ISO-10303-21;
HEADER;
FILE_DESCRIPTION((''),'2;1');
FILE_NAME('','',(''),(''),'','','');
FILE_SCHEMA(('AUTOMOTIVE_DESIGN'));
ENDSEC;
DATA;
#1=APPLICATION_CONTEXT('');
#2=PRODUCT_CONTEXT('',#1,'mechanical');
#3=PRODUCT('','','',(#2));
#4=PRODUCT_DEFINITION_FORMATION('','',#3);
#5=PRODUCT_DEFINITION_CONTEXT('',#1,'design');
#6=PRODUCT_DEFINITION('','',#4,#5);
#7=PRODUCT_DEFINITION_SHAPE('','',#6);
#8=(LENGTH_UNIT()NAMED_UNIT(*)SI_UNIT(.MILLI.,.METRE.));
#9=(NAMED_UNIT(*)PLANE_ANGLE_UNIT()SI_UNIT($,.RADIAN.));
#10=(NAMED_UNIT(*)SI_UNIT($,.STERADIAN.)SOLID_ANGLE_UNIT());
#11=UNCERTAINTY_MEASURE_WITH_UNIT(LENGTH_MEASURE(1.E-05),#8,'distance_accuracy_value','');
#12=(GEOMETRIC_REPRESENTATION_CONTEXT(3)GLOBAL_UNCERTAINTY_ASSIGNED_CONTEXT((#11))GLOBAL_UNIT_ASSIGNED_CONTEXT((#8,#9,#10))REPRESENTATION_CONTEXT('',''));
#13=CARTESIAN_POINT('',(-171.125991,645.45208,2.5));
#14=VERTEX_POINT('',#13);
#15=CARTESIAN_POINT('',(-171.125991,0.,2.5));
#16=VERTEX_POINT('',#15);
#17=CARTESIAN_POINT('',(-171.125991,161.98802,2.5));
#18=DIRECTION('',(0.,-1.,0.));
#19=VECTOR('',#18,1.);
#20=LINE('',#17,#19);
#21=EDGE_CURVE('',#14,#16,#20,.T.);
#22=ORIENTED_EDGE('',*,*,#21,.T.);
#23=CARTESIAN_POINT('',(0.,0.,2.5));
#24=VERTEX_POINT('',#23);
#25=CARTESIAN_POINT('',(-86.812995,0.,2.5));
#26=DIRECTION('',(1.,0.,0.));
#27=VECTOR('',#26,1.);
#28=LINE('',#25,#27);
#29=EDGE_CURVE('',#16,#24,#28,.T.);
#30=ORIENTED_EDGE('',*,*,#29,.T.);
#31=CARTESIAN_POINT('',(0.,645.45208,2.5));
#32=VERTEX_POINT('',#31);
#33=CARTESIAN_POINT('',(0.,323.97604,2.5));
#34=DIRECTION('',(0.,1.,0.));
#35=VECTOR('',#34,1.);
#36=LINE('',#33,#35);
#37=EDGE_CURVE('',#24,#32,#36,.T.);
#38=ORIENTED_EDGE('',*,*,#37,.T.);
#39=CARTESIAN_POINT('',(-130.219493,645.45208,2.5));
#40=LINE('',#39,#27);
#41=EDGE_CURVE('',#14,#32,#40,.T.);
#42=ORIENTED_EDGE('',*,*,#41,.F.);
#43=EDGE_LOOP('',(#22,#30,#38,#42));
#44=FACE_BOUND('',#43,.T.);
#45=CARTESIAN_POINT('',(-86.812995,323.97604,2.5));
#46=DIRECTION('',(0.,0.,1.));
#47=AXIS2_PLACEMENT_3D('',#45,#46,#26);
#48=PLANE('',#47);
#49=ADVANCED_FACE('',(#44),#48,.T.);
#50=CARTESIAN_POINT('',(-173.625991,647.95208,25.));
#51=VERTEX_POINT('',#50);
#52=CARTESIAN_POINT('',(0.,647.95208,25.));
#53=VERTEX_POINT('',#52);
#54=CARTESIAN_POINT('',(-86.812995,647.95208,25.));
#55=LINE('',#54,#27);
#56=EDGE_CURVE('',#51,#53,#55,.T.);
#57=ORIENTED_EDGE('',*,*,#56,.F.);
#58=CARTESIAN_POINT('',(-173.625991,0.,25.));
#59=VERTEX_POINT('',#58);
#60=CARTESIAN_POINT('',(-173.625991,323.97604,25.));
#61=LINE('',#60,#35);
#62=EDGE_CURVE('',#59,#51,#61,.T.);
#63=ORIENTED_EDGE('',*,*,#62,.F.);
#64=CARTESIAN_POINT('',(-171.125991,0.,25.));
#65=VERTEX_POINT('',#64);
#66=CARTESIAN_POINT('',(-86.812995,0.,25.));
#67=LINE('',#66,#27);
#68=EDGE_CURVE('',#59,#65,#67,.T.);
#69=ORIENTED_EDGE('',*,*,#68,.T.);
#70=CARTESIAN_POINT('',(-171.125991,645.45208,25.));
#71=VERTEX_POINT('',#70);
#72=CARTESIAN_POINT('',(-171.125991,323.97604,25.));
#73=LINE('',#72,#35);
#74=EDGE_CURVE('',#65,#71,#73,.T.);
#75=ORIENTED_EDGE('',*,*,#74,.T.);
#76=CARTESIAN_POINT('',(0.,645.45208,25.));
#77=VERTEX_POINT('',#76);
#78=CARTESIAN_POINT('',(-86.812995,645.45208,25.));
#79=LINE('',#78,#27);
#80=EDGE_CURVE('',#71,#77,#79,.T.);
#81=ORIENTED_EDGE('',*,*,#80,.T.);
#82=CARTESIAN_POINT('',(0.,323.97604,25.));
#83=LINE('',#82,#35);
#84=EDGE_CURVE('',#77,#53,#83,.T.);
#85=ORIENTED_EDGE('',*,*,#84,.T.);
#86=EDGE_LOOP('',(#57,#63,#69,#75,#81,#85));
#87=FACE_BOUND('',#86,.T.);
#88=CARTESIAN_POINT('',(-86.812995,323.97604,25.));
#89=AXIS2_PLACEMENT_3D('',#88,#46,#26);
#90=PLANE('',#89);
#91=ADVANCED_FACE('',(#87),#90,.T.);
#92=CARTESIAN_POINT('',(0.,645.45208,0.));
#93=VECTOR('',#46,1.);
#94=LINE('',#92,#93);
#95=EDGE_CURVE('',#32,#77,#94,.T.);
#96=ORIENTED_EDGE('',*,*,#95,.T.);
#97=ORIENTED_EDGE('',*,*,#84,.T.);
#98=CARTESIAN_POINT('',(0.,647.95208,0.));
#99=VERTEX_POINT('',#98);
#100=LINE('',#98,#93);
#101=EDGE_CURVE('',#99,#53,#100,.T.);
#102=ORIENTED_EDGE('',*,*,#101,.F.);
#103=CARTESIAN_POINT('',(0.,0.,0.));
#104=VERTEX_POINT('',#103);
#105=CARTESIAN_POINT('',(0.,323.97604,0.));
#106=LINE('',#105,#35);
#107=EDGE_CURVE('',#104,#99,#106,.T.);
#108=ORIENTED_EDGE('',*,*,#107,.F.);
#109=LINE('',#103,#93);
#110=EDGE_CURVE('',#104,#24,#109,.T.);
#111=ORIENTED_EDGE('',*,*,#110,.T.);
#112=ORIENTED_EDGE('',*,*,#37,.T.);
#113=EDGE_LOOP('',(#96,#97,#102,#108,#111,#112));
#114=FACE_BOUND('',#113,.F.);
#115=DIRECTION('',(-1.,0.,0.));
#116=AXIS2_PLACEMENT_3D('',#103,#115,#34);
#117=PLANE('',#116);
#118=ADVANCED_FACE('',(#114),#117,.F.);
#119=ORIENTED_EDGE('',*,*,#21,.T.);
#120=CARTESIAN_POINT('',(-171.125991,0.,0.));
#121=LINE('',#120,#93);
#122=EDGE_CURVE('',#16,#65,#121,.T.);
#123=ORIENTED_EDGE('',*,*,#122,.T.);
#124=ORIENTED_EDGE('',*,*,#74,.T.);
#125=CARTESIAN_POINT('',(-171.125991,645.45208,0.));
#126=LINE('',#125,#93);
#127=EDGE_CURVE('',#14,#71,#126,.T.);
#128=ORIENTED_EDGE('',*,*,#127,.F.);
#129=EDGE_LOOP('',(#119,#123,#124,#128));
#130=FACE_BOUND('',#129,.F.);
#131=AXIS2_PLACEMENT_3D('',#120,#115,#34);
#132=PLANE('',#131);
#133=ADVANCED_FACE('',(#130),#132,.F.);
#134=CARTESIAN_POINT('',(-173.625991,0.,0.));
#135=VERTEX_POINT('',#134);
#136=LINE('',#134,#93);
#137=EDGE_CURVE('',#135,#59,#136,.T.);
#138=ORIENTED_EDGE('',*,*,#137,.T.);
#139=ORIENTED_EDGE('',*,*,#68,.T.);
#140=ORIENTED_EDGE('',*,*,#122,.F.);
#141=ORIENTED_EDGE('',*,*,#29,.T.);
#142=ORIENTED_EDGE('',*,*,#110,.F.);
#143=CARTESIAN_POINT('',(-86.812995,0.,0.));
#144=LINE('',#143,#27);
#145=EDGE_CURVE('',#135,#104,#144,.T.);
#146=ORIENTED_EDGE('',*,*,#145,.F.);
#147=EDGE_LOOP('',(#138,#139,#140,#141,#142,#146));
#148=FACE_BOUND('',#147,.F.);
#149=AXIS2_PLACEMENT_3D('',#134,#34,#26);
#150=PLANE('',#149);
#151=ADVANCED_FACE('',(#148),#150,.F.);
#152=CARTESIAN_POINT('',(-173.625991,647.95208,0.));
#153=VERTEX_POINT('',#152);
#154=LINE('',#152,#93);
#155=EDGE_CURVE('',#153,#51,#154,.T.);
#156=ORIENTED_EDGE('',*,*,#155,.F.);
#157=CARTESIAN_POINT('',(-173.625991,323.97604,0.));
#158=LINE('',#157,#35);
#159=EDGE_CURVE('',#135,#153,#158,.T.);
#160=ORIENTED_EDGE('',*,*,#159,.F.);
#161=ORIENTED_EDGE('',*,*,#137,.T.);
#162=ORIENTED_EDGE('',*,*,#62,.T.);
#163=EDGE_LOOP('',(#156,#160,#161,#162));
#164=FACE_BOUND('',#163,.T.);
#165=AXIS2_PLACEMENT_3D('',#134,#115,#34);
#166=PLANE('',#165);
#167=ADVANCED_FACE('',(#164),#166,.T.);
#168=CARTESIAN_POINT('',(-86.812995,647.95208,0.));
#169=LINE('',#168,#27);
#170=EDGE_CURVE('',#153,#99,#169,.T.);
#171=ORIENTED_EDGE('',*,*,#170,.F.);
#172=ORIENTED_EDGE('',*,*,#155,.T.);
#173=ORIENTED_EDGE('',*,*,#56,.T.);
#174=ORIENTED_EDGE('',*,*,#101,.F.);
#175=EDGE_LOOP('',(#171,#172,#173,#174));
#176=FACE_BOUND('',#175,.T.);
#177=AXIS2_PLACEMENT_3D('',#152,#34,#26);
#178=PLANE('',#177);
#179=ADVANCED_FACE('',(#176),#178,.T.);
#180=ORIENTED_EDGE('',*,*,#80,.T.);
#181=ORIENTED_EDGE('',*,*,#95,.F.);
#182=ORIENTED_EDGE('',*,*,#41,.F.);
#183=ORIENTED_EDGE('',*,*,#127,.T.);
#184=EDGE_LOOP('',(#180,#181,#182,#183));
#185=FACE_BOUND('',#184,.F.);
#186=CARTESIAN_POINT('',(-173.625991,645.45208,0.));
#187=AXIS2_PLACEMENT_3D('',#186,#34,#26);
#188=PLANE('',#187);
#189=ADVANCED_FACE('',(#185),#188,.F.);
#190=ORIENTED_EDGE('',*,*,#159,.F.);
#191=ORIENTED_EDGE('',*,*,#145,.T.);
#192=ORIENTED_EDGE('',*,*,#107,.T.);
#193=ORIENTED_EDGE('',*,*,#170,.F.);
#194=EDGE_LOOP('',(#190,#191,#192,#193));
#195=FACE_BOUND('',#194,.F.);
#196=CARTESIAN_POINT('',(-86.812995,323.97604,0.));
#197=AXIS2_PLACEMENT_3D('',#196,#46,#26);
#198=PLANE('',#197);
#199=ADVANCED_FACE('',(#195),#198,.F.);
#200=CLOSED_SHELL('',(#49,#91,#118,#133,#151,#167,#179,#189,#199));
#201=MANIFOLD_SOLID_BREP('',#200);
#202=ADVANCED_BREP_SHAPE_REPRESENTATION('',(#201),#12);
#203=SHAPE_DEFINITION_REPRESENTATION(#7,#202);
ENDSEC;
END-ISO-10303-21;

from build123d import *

# Parameters (mm, degrees)
F0_W     = 173.625991
F0_H     = 647.95208
F1_DEPTH = 25
F2_T     = -2.5


with BuildPart() as f1:
    # F0 (on Top) → F1 (new body)
    with BuildSketch(Plane.XY):
        with Locations((-86.812995, 323.97604)):
            Rectangle(F0_W, F0_H)
    extrude(amount=F1_DEPTH)

    # F2
    f2_openings = [f1.faces().sort_by_distance(p)[0] for p in [
        (-86.812995, 0, 12.5),
        (0, 323.97604, 12.5),
        (-86.812995, 323.97604, 25),
    ]]
    offset(amount=F2_T, openings=f2_openings)


solid = f1.part
